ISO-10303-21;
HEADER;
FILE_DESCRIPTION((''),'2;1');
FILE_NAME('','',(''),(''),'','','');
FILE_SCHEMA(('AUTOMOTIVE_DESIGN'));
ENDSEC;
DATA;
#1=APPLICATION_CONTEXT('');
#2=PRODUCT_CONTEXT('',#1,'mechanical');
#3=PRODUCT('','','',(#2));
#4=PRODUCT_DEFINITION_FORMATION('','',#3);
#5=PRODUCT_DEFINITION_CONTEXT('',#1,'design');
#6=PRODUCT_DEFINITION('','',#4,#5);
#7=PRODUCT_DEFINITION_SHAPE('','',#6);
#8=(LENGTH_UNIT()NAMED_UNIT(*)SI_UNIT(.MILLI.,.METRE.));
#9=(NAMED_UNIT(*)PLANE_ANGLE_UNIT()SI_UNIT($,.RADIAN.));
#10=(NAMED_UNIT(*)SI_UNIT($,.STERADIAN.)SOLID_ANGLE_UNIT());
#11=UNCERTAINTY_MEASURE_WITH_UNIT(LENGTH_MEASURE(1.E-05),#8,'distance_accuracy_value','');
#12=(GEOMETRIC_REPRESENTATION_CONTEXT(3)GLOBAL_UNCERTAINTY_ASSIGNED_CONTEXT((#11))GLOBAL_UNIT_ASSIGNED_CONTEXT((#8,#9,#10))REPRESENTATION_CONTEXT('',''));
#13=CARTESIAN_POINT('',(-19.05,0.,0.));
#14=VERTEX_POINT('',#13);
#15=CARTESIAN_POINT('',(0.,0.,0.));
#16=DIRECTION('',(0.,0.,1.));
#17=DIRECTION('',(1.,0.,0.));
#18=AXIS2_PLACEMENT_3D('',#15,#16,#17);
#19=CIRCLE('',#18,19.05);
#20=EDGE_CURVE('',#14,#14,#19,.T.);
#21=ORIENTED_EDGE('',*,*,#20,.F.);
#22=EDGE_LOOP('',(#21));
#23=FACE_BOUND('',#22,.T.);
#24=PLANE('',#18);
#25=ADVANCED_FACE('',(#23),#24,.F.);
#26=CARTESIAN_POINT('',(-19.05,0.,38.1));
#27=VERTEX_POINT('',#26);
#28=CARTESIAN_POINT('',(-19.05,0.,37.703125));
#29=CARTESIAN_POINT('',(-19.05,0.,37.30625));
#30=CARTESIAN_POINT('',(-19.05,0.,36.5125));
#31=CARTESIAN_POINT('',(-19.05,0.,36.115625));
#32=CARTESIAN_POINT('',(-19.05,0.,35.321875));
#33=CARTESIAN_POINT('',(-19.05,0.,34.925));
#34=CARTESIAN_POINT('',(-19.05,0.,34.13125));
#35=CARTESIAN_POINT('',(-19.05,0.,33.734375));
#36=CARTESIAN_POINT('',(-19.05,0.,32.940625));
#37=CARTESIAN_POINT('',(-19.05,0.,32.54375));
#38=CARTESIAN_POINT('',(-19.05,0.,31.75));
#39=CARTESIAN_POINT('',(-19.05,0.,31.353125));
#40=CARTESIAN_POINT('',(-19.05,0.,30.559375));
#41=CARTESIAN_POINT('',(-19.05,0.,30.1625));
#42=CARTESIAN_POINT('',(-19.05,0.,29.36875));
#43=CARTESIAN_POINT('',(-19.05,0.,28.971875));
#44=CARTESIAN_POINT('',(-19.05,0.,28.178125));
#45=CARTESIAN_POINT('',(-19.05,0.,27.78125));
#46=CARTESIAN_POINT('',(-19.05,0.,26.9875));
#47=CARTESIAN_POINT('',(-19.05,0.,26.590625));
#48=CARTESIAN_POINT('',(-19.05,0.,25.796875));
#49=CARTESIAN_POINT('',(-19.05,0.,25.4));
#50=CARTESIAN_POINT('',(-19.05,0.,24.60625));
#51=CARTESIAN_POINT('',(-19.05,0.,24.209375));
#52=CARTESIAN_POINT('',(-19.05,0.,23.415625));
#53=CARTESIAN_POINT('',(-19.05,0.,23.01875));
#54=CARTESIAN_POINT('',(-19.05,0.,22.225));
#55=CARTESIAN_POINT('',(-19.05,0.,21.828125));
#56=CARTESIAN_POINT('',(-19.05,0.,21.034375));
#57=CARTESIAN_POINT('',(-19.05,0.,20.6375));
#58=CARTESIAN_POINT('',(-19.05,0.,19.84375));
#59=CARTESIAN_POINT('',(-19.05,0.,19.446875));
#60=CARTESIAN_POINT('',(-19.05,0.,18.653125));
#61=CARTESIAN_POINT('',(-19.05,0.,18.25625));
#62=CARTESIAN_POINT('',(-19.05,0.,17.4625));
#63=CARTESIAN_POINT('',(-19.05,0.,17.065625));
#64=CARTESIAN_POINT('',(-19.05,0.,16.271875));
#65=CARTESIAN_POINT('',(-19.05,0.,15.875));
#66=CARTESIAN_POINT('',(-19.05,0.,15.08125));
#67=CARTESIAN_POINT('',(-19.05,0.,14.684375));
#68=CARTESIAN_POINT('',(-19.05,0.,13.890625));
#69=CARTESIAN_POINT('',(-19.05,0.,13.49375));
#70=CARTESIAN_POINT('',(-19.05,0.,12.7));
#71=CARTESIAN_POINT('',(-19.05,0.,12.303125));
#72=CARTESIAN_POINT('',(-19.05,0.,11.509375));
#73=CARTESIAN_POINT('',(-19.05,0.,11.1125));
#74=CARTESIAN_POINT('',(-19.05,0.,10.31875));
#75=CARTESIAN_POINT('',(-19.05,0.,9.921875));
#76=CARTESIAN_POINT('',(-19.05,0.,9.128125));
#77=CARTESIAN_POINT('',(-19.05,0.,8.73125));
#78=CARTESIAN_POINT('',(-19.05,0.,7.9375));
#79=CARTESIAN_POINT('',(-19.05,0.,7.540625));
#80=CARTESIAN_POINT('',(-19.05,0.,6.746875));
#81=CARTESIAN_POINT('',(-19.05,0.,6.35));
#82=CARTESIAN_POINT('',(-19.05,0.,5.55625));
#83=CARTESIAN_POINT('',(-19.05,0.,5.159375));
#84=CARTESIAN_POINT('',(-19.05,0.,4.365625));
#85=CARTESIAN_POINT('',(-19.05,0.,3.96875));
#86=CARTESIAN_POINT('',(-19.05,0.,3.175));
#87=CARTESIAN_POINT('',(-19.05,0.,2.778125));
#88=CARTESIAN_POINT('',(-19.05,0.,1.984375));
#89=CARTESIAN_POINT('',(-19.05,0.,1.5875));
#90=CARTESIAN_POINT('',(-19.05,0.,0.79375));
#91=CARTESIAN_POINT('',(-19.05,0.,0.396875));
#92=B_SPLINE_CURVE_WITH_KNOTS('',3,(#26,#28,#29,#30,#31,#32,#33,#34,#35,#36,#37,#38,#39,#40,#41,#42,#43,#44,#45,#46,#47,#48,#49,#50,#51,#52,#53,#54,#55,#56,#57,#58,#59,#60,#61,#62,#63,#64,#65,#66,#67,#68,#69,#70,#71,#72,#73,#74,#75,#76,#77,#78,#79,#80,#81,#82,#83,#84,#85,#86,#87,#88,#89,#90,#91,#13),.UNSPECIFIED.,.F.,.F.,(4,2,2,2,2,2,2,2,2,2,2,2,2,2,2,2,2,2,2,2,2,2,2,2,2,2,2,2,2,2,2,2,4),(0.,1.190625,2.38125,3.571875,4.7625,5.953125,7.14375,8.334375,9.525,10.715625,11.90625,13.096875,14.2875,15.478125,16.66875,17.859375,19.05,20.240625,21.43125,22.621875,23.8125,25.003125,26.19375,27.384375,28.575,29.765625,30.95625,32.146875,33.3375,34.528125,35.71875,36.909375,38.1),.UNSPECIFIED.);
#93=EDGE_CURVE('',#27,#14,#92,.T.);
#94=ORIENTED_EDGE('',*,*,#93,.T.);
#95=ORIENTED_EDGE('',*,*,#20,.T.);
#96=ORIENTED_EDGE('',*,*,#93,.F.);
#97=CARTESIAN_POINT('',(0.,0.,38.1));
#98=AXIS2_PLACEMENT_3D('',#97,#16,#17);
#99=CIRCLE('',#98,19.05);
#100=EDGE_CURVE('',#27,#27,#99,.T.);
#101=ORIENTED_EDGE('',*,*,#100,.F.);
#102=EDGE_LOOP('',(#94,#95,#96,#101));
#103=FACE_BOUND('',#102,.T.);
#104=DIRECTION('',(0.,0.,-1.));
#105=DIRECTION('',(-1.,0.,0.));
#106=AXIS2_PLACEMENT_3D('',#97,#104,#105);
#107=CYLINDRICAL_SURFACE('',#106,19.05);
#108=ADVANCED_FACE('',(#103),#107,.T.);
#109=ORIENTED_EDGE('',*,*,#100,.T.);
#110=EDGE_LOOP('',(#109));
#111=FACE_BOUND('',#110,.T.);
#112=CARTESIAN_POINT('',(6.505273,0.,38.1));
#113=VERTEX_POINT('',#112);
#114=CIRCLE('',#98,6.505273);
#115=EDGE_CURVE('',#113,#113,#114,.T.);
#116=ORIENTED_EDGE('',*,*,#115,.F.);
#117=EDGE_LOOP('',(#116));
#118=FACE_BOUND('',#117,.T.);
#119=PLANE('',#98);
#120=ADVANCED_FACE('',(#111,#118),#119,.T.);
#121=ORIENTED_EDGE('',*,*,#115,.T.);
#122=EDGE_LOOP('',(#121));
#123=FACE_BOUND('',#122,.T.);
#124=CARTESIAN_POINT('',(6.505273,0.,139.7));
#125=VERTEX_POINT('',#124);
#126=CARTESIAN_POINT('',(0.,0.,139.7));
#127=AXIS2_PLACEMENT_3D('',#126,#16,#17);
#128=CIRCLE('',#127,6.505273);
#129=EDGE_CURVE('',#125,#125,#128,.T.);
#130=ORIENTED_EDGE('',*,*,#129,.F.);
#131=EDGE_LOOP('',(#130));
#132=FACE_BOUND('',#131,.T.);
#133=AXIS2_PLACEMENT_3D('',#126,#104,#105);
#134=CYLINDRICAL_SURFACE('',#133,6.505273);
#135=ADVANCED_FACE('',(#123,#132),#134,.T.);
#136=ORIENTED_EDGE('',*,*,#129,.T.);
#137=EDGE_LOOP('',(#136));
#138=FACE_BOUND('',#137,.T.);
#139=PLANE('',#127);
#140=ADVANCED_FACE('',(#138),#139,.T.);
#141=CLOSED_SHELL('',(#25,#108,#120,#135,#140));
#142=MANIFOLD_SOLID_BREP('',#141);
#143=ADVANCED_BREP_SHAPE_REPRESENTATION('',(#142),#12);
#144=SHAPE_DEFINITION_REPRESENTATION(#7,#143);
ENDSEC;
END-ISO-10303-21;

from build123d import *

# Parameters (mm, degrees)
SKETCH2_R           = 19.05
BOSS_EXTRUDE1_DEPTH = 38.1
SKETCH3_R           = 6.505272566
BOSS_EXTRUDE2_DEPTH = 101.6


with BuildPart() as part:
    # Sketch2 → Boss-Extrude1 (new body)
    with BuildSketch(Plane.XY):
        with Locations(Location((0, 0, 0), (0, 0, 180))):
            Circle(SKETCH2_R)
    extrude(amount=BOSS_EXTRUDE1_DEPTH)

    # Sketch3 → Boss-Extrude2 (add)
    with BuildSketch(Plane.XY.offset(38.1)):
        Circle(SKETCH3_R)
    extrude(amount=BOSS_EXTRUDE2_DEPTH)


solid = part.part
